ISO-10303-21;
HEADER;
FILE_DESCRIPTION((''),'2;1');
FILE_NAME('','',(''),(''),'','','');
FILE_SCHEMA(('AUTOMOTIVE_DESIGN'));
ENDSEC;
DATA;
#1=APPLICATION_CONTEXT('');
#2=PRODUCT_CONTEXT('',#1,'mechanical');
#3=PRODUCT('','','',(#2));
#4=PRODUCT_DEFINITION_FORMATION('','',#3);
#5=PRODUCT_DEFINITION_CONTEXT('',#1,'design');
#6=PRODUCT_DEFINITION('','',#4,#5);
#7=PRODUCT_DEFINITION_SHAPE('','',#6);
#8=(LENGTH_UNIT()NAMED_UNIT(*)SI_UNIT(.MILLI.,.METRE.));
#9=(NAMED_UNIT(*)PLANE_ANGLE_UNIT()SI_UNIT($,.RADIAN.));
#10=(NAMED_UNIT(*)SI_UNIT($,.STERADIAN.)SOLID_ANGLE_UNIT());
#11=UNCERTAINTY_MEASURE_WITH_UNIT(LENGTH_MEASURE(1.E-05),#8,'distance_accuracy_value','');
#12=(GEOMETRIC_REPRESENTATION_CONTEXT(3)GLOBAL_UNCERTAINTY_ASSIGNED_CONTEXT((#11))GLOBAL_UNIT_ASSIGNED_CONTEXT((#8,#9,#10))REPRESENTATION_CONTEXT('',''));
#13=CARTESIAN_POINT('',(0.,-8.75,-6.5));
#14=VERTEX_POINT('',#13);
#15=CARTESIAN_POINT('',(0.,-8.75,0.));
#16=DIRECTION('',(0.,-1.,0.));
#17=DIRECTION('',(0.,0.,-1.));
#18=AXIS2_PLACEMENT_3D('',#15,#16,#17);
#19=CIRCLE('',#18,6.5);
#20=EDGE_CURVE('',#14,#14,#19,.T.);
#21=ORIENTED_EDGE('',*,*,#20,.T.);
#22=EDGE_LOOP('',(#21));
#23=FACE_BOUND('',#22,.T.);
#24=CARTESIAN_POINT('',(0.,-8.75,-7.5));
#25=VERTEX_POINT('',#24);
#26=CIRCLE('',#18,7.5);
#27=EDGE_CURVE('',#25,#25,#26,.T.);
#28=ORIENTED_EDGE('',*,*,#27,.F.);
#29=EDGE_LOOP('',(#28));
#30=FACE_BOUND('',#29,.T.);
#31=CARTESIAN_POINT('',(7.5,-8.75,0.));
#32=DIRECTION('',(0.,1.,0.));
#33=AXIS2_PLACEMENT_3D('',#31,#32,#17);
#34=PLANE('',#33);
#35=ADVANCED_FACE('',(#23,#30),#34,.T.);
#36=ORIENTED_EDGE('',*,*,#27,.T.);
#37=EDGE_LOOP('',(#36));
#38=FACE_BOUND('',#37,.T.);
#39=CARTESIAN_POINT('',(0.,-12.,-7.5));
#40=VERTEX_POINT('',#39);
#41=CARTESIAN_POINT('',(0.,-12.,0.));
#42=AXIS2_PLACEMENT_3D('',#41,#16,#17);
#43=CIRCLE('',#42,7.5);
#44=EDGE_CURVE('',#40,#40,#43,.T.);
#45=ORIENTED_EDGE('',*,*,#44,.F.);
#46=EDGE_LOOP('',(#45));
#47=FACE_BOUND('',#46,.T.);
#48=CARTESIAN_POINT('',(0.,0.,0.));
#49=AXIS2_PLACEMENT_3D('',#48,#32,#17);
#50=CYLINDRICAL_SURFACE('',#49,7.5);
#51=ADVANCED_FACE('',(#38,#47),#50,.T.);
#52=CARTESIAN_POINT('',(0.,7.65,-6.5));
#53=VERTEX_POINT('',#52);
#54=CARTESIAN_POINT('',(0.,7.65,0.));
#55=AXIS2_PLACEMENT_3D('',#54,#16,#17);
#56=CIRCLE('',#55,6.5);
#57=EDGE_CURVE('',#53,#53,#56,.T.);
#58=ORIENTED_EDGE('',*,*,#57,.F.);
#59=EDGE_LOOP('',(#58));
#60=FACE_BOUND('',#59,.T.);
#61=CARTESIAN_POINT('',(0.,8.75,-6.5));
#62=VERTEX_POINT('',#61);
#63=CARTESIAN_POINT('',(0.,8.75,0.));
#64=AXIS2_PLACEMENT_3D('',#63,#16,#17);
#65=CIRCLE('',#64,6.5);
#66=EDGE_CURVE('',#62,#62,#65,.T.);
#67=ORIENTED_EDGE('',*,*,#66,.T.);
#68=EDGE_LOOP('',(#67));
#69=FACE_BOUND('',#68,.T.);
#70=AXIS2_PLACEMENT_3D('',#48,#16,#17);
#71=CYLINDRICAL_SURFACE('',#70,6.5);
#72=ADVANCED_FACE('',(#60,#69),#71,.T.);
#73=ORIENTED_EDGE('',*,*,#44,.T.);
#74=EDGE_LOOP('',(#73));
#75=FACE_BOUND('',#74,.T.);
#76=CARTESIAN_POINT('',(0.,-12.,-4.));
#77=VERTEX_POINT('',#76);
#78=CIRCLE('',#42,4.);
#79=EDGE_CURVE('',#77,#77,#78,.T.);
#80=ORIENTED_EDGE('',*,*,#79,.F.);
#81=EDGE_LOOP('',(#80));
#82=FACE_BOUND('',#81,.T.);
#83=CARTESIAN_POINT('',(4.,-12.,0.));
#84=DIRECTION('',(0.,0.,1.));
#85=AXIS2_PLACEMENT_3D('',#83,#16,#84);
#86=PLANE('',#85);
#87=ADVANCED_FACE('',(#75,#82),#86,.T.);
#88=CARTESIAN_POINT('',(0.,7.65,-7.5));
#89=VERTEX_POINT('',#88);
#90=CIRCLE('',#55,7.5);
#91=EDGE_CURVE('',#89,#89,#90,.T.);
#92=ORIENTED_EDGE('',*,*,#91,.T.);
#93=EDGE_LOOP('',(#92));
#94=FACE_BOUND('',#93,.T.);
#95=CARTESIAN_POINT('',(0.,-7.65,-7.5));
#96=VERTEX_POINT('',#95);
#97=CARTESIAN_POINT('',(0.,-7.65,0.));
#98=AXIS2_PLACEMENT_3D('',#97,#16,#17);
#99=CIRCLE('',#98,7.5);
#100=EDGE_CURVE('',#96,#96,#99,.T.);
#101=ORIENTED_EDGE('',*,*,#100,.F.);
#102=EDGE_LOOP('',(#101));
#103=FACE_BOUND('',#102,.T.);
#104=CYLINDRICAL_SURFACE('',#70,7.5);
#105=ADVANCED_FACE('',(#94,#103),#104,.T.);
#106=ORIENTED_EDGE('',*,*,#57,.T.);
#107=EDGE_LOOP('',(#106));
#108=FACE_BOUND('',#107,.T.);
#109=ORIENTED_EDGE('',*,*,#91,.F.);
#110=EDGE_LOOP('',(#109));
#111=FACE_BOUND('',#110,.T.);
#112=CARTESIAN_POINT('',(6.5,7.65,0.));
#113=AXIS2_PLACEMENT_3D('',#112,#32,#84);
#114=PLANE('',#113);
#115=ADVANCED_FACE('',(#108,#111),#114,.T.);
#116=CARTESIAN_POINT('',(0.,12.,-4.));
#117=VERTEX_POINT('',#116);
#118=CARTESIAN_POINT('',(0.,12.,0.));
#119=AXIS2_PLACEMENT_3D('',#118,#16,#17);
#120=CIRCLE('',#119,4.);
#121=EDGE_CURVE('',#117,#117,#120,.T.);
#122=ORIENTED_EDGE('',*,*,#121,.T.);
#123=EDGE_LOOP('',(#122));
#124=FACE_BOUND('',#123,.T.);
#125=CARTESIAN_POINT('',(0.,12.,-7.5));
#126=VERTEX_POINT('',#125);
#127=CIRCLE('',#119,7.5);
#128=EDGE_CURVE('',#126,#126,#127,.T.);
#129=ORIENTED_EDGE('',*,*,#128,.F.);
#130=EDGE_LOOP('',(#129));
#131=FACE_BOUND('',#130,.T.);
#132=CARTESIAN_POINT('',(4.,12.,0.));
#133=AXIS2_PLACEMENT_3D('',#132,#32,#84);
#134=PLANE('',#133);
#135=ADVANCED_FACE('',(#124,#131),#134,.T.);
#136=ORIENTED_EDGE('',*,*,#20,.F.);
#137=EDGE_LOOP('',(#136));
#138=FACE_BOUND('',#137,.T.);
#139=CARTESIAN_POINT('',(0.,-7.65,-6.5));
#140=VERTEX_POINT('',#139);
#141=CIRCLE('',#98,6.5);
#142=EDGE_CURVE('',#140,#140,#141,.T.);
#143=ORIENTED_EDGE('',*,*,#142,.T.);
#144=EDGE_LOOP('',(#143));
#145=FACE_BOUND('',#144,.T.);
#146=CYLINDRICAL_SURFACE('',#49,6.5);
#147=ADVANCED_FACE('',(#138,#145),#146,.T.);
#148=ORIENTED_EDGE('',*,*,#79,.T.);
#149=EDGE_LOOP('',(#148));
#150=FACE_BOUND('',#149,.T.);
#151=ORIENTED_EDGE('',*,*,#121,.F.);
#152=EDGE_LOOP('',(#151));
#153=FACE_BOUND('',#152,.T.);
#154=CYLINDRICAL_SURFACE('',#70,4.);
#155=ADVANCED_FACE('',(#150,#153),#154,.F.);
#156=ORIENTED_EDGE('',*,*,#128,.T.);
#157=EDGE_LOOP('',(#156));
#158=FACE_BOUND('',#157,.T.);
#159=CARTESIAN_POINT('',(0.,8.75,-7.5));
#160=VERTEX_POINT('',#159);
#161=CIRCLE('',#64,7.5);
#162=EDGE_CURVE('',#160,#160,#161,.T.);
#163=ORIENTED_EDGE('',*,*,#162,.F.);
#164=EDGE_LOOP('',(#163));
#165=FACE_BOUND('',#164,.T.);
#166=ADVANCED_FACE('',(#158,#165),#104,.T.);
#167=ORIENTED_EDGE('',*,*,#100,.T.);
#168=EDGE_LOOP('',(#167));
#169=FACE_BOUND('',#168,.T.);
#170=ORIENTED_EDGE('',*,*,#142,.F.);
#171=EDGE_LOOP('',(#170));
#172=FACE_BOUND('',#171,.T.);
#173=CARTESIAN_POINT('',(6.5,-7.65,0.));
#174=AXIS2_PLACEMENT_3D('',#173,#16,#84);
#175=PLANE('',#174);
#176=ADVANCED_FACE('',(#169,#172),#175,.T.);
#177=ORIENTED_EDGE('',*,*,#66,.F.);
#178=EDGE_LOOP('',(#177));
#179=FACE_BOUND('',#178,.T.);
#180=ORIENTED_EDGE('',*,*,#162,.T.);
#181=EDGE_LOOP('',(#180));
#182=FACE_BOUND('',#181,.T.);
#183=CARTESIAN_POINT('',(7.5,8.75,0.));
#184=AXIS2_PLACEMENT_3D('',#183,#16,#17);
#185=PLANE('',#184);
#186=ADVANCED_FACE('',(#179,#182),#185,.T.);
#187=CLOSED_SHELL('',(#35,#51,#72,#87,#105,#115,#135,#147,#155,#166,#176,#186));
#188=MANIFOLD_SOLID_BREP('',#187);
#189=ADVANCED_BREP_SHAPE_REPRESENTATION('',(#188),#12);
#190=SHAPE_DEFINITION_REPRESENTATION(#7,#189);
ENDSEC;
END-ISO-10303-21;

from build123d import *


with BuildPart() as part:
    # Sketch1 → Revolve1 (revolve)
    with BuildSketch(Plane.XY, mode=Mode.PRIVATE) as revolve1_sk:
        Polygon((4, 0), (4, 12), (7.5, 12), (7.5, 8.75), (6.5, 8.75), (6.5, 7.65), (7.5, 7.65), (7.5, 0), align=None)
    revolve1 = revolve(revolve1_sk.sketch.rotate(Axis((0, 0, 0), (0, 1, 0)), 90), axis=Axis((0, 0, 0), (0, 1, 0)))

    # Mirror1: Revolve1 across plane
    add(revolve1.mirror(Plane(origin=(4, 0, 0), x_dir=(0, 0, 1), z_dir=(0, -1, 0))))


solid = part.part
